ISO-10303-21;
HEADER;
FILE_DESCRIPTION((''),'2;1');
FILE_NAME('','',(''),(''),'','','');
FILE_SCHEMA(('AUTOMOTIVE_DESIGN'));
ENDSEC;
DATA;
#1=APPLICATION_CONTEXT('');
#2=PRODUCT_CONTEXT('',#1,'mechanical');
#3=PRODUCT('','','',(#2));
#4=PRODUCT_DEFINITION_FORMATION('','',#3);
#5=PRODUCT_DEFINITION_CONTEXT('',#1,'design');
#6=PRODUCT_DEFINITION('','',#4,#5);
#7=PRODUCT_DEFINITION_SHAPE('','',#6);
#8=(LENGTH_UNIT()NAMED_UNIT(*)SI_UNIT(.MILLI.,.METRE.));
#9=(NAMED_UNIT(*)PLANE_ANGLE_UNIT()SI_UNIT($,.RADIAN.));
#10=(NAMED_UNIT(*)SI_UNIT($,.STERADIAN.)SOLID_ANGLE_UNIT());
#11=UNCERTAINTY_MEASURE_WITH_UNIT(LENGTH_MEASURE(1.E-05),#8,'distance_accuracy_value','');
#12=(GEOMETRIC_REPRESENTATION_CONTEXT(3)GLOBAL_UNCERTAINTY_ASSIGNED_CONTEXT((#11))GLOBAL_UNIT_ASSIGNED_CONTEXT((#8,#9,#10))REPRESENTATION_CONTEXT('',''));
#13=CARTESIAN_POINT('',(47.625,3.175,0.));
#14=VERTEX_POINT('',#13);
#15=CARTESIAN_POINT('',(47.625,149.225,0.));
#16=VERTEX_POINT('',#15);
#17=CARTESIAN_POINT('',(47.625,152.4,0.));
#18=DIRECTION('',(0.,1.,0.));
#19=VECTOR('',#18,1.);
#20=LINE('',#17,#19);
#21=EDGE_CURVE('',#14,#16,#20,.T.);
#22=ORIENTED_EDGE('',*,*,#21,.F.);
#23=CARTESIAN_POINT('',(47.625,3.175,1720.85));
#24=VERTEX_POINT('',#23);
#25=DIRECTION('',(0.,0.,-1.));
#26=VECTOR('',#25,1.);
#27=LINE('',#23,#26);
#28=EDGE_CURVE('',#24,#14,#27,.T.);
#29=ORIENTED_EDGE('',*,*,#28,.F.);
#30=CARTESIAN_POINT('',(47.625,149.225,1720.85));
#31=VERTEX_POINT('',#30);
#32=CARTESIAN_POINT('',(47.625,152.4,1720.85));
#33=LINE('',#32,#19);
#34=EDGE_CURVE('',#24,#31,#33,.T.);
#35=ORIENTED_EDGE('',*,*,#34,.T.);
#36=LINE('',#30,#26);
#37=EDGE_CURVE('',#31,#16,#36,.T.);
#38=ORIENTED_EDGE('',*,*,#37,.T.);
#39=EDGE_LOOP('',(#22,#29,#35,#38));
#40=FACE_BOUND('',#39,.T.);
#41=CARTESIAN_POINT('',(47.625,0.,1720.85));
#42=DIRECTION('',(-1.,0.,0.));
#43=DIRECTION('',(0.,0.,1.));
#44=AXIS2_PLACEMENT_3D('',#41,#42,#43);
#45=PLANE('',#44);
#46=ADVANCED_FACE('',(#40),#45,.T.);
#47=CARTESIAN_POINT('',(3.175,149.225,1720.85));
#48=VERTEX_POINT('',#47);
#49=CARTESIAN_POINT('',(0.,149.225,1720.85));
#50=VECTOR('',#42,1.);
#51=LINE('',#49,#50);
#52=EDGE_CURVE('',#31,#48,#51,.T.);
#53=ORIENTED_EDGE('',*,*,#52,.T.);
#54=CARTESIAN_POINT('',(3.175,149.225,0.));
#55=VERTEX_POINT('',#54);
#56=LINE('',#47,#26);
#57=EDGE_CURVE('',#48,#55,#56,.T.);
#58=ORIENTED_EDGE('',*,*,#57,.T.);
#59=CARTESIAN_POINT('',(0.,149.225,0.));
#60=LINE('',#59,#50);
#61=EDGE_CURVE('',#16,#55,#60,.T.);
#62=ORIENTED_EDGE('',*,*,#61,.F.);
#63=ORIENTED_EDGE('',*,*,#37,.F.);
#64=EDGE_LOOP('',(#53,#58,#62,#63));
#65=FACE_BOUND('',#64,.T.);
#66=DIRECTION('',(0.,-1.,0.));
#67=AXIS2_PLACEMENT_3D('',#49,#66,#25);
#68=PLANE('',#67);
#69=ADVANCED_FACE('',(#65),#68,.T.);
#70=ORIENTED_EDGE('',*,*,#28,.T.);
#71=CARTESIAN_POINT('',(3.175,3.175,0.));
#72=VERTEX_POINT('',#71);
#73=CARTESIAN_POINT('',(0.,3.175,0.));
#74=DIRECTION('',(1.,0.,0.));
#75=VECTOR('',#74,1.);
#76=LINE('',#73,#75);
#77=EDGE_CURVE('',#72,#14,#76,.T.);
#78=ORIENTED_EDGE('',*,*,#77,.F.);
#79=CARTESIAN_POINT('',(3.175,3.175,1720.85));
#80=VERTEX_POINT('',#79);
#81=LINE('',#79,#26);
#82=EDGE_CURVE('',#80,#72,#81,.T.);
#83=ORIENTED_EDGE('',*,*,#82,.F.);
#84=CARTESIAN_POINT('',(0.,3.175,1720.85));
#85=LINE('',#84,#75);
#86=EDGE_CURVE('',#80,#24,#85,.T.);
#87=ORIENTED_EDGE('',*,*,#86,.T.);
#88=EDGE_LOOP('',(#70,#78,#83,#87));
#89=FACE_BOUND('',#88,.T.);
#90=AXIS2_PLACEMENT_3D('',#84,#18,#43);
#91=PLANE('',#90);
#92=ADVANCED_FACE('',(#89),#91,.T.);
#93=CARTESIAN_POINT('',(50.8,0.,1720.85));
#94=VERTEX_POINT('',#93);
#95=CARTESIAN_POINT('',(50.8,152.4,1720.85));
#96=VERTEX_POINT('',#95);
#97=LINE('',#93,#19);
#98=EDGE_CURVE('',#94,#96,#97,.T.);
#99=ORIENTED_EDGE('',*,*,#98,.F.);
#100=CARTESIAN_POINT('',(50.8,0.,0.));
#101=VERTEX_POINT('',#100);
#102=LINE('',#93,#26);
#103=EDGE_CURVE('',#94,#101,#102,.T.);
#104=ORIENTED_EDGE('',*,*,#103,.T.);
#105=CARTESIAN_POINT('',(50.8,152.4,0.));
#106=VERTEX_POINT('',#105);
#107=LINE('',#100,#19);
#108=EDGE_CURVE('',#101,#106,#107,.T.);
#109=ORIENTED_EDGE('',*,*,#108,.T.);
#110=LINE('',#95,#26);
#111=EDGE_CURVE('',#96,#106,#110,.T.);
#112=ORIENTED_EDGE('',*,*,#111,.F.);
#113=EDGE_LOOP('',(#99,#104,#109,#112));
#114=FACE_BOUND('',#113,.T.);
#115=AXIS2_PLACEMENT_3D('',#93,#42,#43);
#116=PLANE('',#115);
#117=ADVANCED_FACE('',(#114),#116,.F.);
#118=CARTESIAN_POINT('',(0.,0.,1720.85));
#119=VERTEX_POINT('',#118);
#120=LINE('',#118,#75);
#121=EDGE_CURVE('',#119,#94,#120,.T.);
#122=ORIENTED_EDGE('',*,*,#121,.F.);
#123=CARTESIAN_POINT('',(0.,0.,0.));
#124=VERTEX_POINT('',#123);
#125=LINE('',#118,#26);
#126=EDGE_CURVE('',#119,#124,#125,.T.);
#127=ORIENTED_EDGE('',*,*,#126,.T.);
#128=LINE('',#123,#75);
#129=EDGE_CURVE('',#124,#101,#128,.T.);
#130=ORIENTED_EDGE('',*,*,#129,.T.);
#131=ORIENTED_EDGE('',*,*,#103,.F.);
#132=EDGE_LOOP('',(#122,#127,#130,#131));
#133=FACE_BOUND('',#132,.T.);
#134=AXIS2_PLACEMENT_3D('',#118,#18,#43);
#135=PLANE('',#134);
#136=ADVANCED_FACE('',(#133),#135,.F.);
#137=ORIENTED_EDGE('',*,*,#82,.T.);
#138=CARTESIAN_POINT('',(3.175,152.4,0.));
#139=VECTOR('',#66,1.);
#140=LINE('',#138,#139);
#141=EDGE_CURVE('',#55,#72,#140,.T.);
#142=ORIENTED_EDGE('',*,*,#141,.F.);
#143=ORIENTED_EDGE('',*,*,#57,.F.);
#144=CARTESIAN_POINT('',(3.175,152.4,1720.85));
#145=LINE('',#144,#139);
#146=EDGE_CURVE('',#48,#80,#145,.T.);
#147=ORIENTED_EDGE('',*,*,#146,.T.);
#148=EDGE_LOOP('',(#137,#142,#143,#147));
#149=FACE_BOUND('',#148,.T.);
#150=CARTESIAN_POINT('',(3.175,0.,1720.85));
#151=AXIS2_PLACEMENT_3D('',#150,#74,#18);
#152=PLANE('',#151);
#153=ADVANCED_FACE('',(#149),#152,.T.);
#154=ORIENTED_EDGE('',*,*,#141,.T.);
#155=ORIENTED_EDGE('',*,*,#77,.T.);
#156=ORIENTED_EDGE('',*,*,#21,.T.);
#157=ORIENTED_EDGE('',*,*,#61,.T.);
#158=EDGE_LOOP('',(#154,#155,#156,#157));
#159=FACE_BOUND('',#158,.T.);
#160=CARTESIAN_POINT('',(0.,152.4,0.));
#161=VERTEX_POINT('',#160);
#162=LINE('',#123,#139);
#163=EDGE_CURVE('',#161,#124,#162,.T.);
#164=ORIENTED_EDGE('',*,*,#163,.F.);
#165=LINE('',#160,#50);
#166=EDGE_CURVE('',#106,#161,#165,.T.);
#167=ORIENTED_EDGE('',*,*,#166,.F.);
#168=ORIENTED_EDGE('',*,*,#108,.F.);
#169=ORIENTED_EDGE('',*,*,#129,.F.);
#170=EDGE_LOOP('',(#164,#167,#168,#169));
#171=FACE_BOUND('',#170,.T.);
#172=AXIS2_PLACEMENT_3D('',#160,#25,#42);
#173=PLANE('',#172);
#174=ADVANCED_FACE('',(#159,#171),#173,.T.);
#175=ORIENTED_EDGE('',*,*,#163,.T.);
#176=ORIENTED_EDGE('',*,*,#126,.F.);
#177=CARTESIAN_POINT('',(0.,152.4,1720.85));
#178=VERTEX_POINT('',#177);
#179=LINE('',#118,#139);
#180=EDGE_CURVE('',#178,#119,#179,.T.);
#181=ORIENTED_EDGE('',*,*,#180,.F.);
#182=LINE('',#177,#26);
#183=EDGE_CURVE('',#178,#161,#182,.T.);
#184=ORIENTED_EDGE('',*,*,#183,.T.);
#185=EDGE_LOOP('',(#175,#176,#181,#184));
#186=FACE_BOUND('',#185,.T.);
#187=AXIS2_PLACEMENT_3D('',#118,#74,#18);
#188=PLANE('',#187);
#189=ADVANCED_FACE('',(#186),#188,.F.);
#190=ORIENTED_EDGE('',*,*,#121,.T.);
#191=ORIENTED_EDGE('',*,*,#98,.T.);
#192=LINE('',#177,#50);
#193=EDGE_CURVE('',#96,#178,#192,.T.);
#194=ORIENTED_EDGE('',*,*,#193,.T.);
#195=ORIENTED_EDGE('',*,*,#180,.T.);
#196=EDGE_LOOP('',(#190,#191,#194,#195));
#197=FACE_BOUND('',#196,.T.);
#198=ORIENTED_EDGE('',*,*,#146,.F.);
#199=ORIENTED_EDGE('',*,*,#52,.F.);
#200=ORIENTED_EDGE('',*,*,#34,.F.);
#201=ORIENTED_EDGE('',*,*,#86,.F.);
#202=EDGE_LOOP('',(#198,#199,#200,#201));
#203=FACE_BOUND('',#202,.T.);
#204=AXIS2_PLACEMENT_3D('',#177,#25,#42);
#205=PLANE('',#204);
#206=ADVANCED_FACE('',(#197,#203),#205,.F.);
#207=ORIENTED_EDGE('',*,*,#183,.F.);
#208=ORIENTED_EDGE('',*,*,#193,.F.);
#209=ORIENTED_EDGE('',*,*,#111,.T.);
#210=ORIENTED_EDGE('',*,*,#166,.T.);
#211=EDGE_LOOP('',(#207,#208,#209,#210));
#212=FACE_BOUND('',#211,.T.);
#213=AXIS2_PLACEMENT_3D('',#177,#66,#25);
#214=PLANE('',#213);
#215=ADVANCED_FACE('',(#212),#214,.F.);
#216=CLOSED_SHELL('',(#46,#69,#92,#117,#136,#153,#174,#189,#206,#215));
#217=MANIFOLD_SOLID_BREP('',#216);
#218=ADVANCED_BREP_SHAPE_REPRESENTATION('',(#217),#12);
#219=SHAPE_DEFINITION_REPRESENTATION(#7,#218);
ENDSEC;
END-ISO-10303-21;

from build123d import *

# Parameters (mm, degrees)
SKETCH1_W           = 50.8
SKETCH1_H           = 152.4
BOSS_EXTRUDE1_DEPTH = 1720.85
SHELL1_T            = -3.175


with BuildPart() as part:
    # Sketch1 → Boss-Extrude1 (new body)
    with BuildSketch(Plane.XY):
        with Locations((25.4, 76.2)):
            Rectangle(SKETCH1_W, SKETCH1_H)
    extrude(amount=BOSS_EXTRUDE1_DEPTH)

    # Shell1
    shell1_openings = [part.faces().sort_by_distance(p)[0] for p in [
        (25.4, 76.2, 1720.85),
        (25.4, 76.2, 0),
    ]]
    offset(amount=SHELL1_T, openings=shell1_openings, kind=Kind.INTERSECTION)


solid = part.part
